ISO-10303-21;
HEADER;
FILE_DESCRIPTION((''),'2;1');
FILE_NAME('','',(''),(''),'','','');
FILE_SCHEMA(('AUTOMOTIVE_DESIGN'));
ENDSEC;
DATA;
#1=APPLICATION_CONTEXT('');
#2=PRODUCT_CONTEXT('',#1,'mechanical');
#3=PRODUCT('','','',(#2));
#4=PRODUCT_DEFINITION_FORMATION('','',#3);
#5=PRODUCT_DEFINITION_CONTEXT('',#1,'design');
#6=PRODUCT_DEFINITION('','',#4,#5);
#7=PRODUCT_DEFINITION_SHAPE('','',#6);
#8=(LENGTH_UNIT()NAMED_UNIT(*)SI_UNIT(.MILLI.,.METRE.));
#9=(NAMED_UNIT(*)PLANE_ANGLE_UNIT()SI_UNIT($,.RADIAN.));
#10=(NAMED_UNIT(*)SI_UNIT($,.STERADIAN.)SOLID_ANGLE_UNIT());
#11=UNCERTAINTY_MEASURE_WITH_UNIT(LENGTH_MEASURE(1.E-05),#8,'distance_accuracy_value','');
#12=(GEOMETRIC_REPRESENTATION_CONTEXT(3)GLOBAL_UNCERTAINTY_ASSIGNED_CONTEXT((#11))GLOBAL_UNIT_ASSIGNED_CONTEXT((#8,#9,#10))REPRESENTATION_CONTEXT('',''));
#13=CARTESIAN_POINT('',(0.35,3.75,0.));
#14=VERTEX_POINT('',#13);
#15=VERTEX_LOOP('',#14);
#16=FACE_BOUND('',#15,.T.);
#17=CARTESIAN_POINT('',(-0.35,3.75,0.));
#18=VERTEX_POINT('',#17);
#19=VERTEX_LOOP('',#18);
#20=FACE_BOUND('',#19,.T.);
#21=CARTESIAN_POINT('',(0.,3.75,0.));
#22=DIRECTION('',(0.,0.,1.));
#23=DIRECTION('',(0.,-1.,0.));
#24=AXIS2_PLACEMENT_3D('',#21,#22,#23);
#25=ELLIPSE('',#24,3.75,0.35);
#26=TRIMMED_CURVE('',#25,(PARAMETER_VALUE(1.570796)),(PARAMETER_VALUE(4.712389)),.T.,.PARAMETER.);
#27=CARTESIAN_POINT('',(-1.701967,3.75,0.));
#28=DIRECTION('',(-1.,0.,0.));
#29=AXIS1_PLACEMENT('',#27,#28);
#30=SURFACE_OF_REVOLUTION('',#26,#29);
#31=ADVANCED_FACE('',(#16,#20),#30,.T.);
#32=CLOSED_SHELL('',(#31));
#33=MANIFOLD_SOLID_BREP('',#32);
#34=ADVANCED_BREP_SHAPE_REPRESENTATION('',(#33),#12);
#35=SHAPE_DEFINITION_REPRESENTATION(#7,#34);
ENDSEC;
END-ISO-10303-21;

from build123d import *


with BuildPart() as part:
    # Çizim1 → Döndür5 (revolve)
    with BuildSketch(Plane.XY):
        with BuildLine():
            Line((-0.35, 3.75), (0.35, 3.75))
            add(Edge.make_bspline(
                [(0.35, 3.75), (0.35, 7.5), (0, 7.5), (-0.35, 7.5), (-0.35, 3.75)],
                knots=[1.570796327, 1.570796327, 1.570796327, 3.141592654, 3.141592654, 4.71238898, 4.71238898, 4.71238898], degree=2, weights=[1, 0.707106781, 1, 0.707106781, 1]))
        make_face()
    revolve(axis=Axis((-1.701966536, 3.75, 0), (1, 0, 0)))


solid = part.part
